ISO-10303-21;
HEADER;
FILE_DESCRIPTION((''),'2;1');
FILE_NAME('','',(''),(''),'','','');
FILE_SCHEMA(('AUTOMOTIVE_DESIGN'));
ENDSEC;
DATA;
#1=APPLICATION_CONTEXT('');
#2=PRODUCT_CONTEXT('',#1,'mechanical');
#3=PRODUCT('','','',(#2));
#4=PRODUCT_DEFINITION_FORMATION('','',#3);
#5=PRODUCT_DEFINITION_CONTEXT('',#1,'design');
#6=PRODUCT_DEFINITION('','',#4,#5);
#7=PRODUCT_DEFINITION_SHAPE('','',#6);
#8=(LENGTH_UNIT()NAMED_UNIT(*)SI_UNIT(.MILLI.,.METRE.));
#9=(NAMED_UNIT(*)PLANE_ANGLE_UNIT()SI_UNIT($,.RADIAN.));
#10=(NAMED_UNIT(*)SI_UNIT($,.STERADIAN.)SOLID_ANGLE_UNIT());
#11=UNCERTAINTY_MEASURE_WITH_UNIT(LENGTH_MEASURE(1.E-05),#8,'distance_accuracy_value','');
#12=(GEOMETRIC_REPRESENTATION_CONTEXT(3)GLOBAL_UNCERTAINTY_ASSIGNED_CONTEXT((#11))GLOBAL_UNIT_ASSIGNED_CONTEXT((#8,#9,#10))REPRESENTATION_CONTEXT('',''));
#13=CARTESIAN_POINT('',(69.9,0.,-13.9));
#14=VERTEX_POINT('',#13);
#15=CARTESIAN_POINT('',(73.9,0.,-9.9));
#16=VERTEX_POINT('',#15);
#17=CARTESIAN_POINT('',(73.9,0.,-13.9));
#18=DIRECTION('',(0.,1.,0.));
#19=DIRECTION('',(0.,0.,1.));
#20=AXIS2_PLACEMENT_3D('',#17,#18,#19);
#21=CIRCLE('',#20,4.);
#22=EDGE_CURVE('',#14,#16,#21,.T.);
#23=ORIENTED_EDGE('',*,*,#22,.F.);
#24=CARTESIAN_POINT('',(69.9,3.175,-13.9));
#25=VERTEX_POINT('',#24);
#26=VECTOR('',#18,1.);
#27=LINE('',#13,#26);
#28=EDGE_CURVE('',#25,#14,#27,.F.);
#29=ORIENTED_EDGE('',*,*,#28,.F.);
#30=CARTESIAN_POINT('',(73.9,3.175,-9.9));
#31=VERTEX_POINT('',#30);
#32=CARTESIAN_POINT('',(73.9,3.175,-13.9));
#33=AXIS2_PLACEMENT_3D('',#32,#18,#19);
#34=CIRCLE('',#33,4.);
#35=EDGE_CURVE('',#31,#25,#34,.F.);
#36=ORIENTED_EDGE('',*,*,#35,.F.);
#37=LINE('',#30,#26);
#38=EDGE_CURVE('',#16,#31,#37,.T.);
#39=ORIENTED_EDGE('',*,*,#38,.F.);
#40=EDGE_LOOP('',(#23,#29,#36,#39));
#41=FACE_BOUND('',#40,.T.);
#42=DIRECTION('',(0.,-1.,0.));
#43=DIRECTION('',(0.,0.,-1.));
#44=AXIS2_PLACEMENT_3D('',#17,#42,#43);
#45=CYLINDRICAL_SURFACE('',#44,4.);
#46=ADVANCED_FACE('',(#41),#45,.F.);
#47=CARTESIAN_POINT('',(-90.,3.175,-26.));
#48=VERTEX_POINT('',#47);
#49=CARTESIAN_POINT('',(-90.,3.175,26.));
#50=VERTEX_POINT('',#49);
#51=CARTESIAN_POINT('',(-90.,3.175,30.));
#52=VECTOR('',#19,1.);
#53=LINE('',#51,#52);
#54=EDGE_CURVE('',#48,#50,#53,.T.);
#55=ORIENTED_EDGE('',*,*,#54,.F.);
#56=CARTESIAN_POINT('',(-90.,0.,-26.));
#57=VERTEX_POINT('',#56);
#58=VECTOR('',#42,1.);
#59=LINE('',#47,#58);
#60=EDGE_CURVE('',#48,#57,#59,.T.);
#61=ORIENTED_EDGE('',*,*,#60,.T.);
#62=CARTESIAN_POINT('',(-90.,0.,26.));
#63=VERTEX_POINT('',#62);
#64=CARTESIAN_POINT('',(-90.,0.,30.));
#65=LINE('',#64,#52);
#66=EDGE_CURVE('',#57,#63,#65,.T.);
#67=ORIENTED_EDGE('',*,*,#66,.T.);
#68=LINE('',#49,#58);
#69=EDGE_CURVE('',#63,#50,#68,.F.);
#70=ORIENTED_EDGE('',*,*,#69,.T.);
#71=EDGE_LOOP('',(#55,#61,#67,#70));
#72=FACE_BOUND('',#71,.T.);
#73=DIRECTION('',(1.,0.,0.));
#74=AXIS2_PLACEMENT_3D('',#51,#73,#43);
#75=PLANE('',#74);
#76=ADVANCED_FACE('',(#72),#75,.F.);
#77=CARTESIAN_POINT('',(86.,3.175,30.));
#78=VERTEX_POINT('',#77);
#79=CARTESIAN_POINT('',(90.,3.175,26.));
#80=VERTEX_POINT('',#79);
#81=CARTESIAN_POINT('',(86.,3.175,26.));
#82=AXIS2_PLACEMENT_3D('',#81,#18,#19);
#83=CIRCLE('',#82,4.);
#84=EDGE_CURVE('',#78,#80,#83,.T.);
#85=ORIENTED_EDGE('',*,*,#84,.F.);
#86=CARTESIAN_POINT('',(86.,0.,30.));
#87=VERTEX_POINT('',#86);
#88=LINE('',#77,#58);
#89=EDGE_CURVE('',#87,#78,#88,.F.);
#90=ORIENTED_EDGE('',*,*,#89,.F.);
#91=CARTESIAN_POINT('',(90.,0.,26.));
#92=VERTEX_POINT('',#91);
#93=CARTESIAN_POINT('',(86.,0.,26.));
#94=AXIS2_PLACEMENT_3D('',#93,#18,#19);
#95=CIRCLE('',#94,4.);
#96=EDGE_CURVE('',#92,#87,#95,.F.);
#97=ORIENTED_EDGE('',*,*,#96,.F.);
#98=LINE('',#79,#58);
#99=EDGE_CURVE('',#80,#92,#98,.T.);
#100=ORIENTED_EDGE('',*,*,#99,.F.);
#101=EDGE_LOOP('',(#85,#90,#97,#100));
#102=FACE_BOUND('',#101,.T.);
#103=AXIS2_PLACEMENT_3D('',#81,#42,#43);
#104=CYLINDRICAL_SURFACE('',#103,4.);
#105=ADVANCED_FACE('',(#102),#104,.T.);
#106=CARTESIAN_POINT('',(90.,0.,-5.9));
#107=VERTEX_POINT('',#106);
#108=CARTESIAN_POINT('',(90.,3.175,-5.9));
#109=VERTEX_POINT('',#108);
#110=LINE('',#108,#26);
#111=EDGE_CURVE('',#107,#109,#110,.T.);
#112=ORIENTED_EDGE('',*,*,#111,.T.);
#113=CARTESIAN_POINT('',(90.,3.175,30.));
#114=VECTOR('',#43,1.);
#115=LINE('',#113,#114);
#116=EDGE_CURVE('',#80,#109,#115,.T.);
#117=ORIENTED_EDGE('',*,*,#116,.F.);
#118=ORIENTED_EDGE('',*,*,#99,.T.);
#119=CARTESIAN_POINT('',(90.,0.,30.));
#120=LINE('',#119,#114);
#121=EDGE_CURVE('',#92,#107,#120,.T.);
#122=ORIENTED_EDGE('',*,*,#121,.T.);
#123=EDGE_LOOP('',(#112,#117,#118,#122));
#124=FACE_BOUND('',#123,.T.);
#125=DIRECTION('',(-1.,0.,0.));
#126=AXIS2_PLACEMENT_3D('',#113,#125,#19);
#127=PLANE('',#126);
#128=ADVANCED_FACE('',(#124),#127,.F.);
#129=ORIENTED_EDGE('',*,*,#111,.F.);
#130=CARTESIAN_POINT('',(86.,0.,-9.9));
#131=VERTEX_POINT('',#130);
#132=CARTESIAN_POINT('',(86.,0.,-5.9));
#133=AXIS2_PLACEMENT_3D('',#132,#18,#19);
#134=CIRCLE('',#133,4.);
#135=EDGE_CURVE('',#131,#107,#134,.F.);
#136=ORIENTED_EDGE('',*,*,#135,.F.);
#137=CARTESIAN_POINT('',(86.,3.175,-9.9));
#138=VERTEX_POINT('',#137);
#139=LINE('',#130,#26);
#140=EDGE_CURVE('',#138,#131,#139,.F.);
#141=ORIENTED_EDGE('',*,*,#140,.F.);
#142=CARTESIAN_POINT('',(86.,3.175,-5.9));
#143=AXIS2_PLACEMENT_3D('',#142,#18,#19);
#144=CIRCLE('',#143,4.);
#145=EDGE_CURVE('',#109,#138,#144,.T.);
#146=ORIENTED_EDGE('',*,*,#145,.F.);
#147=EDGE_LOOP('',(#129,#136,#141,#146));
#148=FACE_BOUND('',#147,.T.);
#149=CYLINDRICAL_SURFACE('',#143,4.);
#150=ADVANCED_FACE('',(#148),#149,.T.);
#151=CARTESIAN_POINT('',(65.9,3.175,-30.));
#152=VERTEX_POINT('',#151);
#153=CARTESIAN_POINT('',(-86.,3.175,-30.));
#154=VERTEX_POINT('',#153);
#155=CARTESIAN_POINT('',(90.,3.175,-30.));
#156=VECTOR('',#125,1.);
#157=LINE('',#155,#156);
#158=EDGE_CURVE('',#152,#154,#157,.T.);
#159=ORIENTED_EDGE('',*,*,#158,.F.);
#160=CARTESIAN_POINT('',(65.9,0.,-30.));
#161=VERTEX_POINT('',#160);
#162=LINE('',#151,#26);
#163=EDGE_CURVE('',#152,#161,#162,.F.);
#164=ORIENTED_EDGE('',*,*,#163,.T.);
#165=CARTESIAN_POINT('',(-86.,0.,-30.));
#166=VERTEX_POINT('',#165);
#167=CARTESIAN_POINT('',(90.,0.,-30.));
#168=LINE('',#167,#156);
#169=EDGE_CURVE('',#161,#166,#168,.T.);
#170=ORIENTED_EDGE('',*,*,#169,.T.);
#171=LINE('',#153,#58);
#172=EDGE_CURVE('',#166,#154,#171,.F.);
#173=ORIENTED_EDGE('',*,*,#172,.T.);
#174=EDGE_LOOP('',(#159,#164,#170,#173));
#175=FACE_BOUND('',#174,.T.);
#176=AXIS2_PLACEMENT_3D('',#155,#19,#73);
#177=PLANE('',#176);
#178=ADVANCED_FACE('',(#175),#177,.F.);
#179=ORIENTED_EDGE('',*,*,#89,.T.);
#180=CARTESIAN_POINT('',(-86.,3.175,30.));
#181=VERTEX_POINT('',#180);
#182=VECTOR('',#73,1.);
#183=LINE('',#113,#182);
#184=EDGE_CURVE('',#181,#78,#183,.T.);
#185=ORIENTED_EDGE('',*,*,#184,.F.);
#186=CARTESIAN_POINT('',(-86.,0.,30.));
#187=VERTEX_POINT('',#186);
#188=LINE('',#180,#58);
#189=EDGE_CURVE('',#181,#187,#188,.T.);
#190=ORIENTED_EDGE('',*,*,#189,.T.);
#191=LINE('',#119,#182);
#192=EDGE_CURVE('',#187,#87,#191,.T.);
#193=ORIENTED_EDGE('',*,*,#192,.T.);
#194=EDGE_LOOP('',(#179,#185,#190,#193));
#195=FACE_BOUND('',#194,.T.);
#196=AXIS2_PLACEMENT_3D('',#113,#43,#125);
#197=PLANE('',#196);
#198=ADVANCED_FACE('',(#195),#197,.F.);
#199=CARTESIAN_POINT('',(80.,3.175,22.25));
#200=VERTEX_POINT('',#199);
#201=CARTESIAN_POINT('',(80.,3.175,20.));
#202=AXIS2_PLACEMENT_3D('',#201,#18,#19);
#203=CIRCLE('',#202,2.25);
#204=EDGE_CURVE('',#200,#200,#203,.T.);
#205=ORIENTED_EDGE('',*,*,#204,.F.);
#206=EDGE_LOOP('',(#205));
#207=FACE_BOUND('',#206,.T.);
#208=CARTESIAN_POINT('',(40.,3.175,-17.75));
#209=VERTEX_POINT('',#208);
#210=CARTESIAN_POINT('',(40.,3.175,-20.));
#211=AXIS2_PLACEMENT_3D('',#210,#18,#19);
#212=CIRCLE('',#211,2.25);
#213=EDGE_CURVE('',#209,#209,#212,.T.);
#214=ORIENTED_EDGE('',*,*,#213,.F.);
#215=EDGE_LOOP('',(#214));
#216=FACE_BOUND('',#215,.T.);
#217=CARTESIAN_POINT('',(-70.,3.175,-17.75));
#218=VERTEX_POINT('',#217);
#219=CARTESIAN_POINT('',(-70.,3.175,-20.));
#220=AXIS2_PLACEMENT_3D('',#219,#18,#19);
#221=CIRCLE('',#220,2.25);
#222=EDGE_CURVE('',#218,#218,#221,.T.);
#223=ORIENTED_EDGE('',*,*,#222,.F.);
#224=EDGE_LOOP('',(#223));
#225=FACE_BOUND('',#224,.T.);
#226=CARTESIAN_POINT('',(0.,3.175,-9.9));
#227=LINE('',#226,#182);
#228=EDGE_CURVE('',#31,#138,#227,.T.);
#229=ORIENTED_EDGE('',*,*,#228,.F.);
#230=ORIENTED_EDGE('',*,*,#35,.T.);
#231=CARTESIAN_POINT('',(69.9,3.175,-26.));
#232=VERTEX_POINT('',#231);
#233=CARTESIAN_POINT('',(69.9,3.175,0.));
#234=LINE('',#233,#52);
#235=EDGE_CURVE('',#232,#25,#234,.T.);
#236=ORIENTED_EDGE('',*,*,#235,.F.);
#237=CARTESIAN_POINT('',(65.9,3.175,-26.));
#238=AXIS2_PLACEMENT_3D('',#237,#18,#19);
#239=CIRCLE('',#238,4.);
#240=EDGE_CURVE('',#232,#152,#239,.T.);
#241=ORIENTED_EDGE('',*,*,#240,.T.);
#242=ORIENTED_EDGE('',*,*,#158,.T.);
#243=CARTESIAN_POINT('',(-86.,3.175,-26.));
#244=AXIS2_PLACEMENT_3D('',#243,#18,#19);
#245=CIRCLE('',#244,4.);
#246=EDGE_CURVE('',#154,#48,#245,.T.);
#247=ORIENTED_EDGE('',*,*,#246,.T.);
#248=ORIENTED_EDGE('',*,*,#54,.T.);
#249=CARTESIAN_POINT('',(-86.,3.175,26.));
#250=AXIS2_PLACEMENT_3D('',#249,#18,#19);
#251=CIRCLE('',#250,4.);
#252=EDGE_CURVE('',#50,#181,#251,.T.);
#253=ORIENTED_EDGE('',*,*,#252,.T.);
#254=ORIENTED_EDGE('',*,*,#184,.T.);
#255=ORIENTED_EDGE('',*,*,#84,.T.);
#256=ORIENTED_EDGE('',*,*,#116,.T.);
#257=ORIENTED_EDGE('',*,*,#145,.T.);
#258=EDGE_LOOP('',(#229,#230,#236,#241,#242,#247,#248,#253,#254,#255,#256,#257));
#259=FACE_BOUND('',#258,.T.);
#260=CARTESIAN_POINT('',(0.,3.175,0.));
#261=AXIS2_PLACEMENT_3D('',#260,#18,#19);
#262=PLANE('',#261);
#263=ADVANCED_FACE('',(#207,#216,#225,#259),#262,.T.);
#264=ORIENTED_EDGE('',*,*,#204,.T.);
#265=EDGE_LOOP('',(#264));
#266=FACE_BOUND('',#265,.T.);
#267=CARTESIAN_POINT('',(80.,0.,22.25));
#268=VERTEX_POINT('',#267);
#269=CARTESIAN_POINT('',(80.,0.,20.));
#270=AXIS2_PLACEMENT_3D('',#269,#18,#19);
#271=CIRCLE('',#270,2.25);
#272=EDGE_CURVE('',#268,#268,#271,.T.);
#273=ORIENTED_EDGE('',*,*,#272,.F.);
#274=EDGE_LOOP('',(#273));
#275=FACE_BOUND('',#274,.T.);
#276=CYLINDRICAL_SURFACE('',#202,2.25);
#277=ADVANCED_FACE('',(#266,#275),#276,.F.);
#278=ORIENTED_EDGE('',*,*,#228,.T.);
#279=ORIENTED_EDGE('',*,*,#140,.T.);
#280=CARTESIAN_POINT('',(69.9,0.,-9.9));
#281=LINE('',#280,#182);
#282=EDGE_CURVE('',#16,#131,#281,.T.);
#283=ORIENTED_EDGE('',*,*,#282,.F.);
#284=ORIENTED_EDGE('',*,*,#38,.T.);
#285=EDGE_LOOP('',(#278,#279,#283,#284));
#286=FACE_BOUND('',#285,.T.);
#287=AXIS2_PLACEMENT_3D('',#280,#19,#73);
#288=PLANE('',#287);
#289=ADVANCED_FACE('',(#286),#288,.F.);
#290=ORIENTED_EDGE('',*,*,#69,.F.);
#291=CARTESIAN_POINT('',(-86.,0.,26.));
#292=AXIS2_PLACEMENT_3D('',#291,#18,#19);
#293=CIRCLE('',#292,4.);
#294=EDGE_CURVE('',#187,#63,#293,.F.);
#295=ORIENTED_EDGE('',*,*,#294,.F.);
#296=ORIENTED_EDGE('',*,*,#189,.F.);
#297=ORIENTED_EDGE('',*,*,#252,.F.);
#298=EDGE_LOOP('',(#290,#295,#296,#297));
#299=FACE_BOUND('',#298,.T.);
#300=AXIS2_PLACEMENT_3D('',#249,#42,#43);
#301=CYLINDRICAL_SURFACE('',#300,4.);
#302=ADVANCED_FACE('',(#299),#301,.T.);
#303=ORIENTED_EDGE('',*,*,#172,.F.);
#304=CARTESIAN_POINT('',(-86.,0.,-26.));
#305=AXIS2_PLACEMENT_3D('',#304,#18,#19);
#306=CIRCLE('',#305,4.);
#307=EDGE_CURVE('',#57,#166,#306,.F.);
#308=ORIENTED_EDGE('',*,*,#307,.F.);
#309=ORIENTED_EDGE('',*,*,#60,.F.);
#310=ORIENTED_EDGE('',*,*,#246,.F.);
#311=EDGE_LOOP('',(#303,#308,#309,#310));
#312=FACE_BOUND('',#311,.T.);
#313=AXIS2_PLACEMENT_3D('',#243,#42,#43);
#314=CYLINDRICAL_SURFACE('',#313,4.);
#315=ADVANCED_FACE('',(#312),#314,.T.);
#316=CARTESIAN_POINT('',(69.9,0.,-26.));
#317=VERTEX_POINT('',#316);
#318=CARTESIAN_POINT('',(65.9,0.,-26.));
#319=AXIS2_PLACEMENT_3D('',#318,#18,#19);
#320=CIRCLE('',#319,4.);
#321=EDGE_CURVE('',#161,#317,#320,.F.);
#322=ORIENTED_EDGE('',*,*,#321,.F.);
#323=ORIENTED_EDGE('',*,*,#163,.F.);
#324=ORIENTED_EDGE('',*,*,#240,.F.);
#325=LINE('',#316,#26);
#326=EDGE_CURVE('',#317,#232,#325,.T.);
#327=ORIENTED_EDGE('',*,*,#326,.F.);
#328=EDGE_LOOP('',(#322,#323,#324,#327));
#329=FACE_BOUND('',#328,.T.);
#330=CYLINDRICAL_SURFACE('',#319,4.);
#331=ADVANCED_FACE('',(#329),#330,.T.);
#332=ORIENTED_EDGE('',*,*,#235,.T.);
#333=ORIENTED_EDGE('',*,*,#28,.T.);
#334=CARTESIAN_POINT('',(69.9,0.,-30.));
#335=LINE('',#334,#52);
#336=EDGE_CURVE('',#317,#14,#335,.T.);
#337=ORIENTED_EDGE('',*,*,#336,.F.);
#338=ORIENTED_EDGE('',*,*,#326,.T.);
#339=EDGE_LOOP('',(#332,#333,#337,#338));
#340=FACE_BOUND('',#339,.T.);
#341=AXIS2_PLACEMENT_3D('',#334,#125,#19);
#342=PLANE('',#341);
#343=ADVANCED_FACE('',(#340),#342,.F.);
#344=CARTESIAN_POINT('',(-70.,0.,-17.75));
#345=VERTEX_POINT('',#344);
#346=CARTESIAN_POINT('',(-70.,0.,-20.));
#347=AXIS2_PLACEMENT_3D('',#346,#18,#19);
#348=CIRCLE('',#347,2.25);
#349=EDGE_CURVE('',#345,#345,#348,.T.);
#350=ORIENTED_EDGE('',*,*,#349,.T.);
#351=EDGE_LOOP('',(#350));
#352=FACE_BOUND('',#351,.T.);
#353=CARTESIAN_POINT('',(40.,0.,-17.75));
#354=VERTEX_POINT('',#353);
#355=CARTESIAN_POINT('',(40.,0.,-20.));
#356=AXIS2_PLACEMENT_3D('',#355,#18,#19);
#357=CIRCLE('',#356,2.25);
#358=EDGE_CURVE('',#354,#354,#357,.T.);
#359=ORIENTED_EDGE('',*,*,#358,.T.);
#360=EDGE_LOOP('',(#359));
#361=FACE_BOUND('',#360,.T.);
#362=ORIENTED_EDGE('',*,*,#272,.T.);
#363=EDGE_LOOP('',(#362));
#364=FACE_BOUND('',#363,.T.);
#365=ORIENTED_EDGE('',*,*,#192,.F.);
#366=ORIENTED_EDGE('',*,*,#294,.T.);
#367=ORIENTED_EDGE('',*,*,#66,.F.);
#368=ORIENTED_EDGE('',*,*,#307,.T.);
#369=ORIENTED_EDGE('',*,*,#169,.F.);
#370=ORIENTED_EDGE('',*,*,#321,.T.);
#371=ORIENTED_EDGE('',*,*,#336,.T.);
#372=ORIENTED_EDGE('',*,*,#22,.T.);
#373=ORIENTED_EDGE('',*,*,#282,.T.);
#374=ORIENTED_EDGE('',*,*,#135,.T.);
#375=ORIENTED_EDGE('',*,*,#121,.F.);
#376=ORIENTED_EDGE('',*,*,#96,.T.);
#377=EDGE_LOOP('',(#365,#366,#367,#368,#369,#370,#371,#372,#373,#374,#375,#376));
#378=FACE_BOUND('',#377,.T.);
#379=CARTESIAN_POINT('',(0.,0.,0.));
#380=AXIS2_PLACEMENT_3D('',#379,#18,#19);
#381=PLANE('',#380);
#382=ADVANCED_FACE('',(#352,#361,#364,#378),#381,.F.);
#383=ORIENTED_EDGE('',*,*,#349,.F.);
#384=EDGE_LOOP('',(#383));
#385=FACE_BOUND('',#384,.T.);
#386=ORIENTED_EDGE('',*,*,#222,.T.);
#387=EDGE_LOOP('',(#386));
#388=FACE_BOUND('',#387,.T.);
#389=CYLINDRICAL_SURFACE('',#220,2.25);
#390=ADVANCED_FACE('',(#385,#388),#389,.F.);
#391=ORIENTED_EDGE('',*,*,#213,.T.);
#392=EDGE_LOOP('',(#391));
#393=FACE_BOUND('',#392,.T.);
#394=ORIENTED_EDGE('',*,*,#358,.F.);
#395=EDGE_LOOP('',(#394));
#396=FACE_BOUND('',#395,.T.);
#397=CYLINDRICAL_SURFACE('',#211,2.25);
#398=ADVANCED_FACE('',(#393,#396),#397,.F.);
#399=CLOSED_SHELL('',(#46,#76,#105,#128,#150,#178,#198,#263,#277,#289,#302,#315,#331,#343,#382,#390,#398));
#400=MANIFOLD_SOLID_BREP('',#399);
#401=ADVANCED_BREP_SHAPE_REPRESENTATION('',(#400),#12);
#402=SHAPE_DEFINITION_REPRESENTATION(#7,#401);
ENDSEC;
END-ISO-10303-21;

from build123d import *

# Parameters (mm, degrees)
SKETCH1_W               = 180
SKETCH1_H               = 60
BOSS_EXTRUDE1_DEPTH     = 3.175
SKETCH5_W               = 20.1
SKETCH5_H               = 20.1
CUT_EXTRUDE1_DEPTH      = 1
CUT_EXTRUDE1_DEPTH_BACK = 4.175
M4_CLEARANCE_HOLE2_D    = 4.5
FILLET2_R               = 4


with BuildPart() as part:
    # Sketch1 → Boss-Extrude1 (new body)
    with BuildSketch(Plane(origin=(0, 0, 0), x_dir=(1, 0, 0), z_dir=(0, 1, 0))):
        Rectangle(SKETCH1_W, SKETCH1_H)
    extrude(amount=BOSS_EXTRUDE1_DEPTH)

    # Sketch5 → Cut-Extrude1 (cut, two sides)
    with BuildSketch(Plane(origin=(0, 3.175, 0), x_dir=(1, 0, 0), z_dir=(0, 1, 0))) as cut_extrude1_sk:
        with Locations((79.95, 19.95)):
            Rectangle(SKETCH5_W, SKETCH5_H)
    extrude(amount=CUT_EXTRUDE1_DEPTH, mode=Mode.SUBTRACT)
    extrude(cut_extrude1_sk.sketch, amount=-CUT_EXTRUDE1_DEPTH_BACK, mode=Mode.SUBTRACT)

    # M4 Clearance Hole2 (through all)
    with Locations(Plane(origin=(0, 3.175, 0), x_dir=(1, 0, 0), z_dir=(0, 1, 0))):
        with Locations((-70, 20), (40, 20), (80, -20)):
            Hole(M4_CLEARANCE_HOLE2_D / 2)

    # Fillet2
    fillet2_edges = [part.edges().sort_by_distance(p)[0] for p in [
        (69.9, 1.5875, -9.9),
        (69.9, 1.5875, -30),
        (90, 1.5875, -9.9),
        (-90, 1.5875, -30),
        (90, 1.5875, 30),
        (-90, 1.5875, 30),
    ]]
    fillet(fillet2_edges, radius=FILLET2_R)


solid = part.part
